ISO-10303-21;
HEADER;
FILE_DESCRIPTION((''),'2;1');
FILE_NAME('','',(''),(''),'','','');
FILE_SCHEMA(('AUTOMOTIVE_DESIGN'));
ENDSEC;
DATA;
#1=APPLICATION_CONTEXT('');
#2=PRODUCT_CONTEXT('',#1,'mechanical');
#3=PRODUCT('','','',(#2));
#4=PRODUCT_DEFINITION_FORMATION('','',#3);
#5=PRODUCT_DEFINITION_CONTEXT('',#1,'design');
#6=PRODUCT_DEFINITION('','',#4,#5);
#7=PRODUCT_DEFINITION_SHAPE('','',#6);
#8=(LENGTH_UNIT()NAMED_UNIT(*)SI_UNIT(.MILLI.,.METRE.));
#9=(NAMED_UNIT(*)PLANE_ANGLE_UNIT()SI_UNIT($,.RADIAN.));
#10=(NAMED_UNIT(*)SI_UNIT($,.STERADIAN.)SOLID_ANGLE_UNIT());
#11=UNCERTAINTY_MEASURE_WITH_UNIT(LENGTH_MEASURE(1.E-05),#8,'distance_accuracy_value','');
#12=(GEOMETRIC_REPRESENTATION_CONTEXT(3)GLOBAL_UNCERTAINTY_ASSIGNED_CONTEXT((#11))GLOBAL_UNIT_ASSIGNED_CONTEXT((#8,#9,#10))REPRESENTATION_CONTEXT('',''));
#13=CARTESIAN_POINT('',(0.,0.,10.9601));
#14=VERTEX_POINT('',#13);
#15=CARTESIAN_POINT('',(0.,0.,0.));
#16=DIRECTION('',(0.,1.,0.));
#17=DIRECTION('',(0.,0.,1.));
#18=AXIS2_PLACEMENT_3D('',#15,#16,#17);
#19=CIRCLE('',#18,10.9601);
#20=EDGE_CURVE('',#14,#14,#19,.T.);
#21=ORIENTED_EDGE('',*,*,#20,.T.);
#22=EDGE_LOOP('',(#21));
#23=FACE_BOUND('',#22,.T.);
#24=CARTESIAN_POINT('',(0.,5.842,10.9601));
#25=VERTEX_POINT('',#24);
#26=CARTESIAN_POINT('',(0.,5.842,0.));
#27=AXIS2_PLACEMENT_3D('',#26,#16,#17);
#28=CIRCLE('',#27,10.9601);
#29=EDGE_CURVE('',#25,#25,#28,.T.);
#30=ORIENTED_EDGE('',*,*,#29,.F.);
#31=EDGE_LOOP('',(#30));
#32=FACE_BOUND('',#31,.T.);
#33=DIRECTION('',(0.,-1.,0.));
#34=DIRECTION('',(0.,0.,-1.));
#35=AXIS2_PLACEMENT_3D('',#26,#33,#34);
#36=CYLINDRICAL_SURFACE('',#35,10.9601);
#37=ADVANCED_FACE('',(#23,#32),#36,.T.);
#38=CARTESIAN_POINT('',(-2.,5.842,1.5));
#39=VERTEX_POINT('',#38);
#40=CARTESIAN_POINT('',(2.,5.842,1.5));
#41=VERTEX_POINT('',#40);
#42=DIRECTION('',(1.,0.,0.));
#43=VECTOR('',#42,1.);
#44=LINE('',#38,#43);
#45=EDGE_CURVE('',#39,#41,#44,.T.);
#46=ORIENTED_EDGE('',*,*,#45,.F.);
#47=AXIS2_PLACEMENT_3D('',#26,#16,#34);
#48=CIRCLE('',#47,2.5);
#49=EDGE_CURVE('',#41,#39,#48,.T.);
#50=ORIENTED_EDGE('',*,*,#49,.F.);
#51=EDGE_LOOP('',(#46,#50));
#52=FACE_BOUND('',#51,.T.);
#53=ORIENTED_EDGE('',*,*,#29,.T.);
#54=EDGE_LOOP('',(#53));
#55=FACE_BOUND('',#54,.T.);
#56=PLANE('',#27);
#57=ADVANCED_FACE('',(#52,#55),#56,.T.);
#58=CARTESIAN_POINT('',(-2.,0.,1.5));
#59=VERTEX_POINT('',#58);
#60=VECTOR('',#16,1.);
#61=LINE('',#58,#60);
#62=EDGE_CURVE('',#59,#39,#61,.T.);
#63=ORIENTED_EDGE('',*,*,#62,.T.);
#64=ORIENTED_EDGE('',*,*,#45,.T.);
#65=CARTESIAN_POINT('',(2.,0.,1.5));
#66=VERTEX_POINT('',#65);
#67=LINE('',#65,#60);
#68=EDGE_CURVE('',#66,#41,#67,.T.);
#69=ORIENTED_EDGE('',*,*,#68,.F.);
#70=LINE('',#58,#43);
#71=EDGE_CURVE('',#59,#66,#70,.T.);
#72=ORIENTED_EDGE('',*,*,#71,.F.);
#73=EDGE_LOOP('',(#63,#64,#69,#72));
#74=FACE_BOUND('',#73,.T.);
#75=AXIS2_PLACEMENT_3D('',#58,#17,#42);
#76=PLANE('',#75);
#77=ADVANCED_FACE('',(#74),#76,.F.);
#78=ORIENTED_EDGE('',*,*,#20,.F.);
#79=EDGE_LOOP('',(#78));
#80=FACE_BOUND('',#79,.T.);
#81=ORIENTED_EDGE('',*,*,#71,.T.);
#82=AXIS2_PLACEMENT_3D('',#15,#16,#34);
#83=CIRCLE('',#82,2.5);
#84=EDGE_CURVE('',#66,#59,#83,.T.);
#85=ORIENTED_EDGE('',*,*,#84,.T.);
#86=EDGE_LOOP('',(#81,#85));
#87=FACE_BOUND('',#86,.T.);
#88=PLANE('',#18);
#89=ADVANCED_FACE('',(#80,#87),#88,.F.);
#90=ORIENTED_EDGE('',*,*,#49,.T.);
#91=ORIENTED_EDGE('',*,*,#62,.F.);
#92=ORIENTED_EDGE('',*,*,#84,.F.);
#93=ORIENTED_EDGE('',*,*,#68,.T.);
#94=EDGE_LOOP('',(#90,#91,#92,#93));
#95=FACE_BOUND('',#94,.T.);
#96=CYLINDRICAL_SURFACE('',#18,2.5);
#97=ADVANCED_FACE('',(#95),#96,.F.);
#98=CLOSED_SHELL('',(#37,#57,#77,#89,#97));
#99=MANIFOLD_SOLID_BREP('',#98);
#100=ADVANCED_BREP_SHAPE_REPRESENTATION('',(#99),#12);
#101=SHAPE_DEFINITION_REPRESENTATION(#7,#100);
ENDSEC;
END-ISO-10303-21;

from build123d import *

# Parameters (mm, degrees)
SKETCH1_R           = 10.9601
BOSS_EXTRUDE1_DEPTH = 5.842
CUT_EXTRUDE1_DEPTH  = 17.564315501


with BuildPart() as part:
    # Sketch1 → Boss-Extrude1 (new body)
    with BuildSketch(Plane(origin=(0, 0, 0), x_dir=(1, 0, 0), z_dir=(0, 1, 0))):
        with Locations(Location((0, 0, 0), (0, 0, 270))):
            Circle(SKETCH1_R)
    extrude(amount=BOSS_EXTRUDE1_DEPTH)

    # Sketch3 → Cut-Extrude1 (cut, through all)
    with BuildSketch(Plane(origin=(0, 5.842, 0), x_dir=(1, 0, 0), z_dir=(0, 1, 0))):
        with BuildLine():
            Line((-2, -1.5), (2, -1.5))
            ThreePointArc((2, -1.5), (0, 2.5), (-2, -1.5))
        make_face()
    extrude(amount=-CUT_EXTRUDE1_DEPTH, mode=Mode.SUBTRACT)


solid = part.part
